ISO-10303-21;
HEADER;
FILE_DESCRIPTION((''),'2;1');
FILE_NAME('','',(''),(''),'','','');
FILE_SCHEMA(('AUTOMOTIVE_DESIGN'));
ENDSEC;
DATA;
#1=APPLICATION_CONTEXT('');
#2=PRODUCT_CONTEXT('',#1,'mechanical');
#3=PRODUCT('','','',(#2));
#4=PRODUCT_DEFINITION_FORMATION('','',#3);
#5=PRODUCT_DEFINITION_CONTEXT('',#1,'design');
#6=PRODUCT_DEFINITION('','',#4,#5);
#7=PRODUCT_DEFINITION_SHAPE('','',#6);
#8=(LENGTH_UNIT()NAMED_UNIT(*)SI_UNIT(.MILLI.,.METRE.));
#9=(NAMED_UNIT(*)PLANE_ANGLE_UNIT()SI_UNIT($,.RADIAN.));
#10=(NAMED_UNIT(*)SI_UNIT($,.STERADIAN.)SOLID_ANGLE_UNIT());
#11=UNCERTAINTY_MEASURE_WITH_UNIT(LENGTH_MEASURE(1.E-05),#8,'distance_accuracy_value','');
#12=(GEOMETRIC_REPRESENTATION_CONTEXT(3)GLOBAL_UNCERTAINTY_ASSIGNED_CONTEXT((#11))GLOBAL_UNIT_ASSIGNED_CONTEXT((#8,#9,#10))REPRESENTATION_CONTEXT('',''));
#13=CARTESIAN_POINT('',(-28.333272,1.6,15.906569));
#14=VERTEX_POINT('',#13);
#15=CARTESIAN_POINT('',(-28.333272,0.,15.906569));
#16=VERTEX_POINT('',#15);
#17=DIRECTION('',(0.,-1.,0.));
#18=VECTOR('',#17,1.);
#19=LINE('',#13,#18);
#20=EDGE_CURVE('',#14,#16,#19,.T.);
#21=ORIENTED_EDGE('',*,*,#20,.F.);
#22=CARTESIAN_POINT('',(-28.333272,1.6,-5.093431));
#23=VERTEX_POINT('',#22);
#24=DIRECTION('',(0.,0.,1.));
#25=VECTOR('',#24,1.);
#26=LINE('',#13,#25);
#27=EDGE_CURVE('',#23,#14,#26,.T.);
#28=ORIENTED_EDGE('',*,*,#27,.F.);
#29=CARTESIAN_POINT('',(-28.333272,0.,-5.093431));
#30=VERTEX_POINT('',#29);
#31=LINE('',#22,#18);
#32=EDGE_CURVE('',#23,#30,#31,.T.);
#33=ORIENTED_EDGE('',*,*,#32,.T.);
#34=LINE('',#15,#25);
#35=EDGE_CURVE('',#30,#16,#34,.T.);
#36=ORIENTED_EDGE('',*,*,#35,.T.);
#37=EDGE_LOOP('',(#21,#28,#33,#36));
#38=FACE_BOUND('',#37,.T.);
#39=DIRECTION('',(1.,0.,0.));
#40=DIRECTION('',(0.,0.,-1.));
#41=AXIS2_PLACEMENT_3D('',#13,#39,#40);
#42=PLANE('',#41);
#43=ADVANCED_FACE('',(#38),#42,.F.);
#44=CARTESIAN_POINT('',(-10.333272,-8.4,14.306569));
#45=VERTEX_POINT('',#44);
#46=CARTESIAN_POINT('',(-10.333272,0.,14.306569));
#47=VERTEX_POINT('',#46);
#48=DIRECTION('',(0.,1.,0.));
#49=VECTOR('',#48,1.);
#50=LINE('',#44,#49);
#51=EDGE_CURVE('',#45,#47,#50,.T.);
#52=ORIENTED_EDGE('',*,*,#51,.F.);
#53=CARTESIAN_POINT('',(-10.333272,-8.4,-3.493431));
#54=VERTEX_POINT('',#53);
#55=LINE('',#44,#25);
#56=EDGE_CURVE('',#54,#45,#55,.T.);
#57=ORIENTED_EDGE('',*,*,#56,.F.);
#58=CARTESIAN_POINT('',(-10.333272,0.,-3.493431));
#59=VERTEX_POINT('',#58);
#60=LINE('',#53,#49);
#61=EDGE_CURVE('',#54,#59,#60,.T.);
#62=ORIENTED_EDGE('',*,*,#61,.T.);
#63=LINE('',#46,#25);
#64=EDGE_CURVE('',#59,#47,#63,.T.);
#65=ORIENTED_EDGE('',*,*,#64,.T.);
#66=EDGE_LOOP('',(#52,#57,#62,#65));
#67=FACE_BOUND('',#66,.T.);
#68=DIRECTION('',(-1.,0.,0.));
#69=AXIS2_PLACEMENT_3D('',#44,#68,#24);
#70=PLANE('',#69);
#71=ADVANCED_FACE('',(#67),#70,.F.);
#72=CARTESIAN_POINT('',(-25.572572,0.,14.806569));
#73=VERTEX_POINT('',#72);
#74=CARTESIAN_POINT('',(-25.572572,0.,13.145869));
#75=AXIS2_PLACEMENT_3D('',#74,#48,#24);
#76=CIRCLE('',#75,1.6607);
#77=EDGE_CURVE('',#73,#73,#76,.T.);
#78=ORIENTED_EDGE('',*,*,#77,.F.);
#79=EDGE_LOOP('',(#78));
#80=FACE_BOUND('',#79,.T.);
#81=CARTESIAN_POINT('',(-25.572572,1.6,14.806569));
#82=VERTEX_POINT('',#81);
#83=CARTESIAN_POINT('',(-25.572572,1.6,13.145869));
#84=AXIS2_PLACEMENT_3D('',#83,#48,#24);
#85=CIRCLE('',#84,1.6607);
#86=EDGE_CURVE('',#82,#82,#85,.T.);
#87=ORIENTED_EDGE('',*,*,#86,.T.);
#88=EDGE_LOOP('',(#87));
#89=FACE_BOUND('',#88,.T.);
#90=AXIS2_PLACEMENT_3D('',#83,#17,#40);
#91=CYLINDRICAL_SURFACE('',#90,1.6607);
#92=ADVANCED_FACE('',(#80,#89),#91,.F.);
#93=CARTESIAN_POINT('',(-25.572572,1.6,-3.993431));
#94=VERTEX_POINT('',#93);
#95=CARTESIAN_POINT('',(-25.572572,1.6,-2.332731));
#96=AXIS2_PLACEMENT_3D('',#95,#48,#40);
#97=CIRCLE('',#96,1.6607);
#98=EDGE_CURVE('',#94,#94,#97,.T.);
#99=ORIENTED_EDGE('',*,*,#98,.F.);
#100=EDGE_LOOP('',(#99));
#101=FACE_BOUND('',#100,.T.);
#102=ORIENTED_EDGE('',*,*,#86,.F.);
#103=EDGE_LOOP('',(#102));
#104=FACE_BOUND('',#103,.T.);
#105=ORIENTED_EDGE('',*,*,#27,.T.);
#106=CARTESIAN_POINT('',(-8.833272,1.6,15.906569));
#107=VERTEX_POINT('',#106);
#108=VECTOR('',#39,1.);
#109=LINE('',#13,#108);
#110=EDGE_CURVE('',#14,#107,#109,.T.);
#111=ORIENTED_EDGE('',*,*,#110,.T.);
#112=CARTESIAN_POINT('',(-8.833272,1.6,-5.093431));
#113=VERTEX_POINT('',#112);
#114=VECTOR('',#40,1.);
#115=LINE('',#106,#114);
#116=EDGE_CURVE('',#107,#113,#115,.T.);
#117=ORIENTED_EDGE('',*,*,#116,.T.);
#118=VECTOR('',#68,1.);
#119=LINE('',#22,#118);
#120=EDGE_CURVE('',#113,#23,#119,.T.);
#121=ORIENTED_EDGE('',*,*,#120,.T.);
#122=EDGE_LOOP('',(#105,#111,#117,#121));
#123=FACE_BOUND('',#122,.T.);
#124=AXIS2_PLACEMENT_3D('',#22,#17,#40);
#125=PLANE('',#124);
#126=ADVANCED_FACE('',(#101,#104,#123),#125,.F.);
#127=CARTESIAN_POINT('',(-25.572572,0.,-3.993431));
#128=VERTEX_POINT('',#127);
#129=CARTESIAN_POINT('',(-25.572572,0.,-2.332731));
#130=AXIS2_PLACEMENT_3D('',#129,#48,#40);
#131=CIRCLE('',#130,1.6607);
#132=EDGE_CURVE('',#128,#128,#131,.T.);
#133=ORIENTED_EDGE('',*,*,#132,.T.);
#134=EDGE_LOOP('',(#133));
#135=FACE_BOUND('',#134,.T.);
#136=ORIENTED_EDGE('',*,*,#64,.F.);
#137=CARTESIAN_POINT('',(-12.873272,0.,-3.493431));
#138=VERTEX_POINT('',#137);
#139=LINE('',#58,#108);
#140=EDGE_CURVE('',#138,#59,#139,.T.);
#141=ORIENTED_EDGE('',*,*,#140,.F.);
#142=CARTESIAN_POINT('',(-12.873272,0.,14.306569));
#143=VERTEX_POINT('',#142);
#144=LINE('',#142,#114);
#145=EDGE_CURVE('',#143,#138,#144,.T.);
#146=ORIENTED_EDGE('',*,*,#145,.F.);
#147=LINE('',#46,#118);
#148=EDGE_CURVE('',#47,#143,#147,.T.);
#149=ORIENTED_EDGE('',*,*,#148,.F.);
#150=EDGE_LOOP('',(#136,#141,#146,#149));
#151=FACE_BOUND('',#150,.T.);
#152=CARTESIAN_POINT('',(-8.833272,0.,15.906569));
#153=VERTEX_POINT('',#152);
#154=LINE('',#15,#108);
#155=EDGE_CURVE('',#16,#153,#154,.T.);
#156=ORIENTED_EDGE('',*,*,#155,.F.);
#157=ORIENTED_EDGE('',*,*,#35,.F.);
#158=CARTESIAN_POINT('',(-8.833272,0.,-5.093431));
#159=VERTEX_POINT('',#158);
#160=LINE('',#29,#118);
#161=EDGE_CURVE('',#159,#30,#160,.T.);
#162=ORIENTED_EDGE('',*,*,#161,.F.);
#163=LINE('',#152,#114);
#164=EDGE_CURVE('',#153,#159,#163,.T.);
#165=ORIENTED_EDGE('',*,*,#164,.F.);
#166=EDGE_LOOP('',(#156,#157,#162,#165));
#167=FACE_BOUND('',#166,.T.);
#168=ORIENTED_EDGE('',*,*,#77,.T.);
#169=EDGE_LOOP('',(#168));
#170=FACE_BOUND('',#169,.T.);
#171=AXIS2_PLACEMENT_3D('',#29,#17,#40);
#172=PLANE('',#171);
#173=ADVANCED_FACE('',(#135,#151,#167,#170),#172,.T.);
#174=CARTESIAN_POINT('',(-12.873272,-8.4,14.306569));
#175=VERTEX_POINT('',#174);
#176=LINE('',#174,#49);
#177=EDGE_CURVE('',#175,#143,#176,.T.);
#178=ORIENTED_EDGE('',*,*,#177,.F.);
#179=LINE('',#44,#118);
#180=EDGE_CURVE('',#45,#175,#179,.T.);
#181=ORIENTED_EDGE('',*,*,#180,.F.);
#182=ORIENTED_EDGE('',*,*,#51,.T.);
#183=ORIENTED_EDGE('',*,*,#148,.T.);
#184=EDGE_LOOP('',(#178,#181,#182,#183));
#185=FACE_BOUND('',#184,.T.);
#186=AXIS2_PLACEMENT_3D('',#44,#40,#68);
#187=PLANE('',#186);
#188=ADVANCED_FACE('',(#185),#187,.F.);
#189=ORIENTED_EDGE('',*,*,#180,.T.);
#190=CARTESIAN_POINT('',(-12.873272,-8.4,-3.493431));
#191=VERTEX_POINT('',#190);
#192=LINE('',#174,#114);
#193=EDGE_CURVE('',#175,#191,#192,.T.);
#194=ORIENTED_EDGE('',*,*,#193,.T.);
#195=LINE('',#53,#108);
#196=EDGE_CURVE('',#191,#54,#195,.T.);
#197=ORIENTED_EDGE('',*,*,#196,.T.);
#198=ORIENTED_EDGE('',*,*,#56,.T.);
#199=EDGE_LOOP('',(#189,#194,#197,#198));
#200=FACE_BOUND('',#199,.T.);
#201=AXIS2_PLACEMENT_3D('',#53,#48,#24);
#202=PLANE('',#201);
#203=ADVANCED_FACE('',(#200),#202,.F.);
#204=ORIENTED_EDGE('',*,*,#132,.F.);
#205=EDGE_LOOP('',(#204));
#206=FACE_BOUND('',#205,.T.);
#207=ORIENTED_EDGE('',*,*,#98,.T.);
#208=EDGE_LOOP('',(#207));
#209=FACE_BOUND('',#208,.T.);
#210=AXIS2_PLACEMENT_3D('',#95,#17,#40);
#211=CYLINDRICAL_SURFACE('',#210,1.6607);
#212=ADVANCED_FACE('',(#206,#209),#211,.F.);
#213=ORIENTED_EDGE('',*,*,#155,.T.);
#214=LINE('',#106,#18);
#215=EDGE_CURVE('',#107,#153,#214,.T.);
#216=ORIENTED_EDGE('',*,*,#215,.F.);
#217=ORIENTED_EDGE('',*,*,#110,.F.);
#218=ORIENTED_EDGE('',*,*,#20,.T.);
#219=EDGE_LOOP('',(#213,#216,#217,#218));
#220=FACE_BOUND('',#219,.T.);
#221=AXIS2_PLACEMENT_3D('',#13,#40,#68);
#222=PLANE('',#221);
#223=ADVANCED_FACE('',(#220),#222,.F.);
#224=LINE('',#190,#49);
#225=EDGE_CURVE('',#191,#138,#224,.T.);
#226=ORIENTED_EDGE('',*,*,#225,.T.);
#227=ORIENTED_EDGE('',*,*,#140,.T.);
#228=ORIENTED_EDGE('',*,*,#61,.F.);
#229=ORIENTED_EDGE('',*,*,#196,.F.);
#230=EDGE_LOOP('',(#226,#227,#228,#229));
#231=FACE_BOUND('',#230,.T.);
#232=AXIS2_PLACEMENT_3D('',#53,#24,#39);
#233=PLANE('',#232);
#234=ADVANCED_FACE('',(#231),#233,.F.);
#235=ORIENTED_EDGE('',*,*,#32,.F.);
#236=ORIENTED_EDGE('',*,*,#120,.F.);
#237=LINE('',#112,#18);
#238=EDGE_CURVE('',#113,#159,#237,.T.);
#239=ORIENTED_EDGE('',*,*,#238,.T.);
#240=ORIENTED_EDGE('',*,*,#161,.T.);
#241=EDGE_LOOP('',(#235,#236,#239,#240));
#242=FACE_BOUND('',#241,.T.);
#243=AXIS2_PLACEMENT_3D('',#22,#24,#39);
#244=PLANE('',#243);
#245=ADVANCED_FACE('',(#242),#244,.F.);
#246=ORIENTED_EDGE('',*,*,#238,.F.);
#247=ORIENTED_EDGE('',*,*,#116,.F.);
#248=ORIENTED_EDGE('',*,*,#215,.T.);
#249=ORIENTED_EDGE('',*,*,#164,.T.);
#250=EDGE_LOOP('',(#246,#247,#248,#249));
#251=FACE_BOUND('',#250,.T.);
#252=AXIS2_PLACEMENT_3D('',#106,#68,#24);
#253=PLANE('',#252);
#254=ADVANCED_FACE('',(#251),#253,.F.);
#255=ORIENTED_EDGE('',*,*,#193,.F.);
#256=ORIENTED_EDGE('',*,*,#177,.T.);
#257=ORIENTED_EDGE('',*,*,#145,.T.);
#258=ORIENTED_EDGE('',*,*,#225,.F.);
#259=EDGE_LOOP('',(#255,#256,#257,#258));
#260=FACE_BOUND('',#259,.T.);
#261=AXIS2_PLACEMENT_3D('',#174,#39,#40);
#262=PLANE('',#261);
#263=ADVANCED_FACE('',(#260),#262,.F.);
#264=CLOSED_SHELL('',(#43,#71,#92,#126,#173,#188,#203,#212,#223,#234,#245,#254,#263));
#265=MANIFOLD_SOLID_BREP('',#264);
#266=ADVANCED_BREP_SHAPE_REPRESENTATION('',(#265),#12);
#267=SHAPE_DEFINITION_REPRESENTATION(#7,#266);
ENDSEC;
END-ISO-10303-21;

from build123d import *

# Parameters (mm, degrees)
SKETCH1_W      = 19.5
SKETCH1_H      = 20.99999991
SKETCH1_R      = 1.660700018
EXTRUDE1_DEPTH = 1.6
SKETCH2_W      = 2.54
SKETCH2_H      = 17.8
EXTRUDE2_DEPTH = 8.4


with BuildPart() as part:
    # Sketch1 → Extrude1 (new body)
    with BuildSketch(Plane(origin=(0, 0, 0), x_dir=(1, 0, 0), z_dir=(0, 1, 0))):
        with Locations((-18.583272271, -5.406568708)):
            Rectangle(SKETCH1_W, SKETCH1_H)
        with Locations(Location((-25.572572253, -13.145868645, 0), (0, 0, 270))):
            Circle(SKETCH1_R, mode=Mode.SUBTRACT)
        with Locations(Location((-25.572572253, 2.332731229, 0), (0, 0, 90))):
            Circle(SKETCH1_R, mode=Mode.SUBTRACT)
    extrude(amount=EXTRUDE1_DEPTH)

    # Sketch2 → Extrude2 (add)
    with BuildSketch(Plane.XZ):
        with Locations((-11.603272271, 5.406568708)):
            Rectangle(SKETCH2_W, SKETCH2_H)
    extrude(amount=EXTRUDE2_DEPTH)


solid = part.part
